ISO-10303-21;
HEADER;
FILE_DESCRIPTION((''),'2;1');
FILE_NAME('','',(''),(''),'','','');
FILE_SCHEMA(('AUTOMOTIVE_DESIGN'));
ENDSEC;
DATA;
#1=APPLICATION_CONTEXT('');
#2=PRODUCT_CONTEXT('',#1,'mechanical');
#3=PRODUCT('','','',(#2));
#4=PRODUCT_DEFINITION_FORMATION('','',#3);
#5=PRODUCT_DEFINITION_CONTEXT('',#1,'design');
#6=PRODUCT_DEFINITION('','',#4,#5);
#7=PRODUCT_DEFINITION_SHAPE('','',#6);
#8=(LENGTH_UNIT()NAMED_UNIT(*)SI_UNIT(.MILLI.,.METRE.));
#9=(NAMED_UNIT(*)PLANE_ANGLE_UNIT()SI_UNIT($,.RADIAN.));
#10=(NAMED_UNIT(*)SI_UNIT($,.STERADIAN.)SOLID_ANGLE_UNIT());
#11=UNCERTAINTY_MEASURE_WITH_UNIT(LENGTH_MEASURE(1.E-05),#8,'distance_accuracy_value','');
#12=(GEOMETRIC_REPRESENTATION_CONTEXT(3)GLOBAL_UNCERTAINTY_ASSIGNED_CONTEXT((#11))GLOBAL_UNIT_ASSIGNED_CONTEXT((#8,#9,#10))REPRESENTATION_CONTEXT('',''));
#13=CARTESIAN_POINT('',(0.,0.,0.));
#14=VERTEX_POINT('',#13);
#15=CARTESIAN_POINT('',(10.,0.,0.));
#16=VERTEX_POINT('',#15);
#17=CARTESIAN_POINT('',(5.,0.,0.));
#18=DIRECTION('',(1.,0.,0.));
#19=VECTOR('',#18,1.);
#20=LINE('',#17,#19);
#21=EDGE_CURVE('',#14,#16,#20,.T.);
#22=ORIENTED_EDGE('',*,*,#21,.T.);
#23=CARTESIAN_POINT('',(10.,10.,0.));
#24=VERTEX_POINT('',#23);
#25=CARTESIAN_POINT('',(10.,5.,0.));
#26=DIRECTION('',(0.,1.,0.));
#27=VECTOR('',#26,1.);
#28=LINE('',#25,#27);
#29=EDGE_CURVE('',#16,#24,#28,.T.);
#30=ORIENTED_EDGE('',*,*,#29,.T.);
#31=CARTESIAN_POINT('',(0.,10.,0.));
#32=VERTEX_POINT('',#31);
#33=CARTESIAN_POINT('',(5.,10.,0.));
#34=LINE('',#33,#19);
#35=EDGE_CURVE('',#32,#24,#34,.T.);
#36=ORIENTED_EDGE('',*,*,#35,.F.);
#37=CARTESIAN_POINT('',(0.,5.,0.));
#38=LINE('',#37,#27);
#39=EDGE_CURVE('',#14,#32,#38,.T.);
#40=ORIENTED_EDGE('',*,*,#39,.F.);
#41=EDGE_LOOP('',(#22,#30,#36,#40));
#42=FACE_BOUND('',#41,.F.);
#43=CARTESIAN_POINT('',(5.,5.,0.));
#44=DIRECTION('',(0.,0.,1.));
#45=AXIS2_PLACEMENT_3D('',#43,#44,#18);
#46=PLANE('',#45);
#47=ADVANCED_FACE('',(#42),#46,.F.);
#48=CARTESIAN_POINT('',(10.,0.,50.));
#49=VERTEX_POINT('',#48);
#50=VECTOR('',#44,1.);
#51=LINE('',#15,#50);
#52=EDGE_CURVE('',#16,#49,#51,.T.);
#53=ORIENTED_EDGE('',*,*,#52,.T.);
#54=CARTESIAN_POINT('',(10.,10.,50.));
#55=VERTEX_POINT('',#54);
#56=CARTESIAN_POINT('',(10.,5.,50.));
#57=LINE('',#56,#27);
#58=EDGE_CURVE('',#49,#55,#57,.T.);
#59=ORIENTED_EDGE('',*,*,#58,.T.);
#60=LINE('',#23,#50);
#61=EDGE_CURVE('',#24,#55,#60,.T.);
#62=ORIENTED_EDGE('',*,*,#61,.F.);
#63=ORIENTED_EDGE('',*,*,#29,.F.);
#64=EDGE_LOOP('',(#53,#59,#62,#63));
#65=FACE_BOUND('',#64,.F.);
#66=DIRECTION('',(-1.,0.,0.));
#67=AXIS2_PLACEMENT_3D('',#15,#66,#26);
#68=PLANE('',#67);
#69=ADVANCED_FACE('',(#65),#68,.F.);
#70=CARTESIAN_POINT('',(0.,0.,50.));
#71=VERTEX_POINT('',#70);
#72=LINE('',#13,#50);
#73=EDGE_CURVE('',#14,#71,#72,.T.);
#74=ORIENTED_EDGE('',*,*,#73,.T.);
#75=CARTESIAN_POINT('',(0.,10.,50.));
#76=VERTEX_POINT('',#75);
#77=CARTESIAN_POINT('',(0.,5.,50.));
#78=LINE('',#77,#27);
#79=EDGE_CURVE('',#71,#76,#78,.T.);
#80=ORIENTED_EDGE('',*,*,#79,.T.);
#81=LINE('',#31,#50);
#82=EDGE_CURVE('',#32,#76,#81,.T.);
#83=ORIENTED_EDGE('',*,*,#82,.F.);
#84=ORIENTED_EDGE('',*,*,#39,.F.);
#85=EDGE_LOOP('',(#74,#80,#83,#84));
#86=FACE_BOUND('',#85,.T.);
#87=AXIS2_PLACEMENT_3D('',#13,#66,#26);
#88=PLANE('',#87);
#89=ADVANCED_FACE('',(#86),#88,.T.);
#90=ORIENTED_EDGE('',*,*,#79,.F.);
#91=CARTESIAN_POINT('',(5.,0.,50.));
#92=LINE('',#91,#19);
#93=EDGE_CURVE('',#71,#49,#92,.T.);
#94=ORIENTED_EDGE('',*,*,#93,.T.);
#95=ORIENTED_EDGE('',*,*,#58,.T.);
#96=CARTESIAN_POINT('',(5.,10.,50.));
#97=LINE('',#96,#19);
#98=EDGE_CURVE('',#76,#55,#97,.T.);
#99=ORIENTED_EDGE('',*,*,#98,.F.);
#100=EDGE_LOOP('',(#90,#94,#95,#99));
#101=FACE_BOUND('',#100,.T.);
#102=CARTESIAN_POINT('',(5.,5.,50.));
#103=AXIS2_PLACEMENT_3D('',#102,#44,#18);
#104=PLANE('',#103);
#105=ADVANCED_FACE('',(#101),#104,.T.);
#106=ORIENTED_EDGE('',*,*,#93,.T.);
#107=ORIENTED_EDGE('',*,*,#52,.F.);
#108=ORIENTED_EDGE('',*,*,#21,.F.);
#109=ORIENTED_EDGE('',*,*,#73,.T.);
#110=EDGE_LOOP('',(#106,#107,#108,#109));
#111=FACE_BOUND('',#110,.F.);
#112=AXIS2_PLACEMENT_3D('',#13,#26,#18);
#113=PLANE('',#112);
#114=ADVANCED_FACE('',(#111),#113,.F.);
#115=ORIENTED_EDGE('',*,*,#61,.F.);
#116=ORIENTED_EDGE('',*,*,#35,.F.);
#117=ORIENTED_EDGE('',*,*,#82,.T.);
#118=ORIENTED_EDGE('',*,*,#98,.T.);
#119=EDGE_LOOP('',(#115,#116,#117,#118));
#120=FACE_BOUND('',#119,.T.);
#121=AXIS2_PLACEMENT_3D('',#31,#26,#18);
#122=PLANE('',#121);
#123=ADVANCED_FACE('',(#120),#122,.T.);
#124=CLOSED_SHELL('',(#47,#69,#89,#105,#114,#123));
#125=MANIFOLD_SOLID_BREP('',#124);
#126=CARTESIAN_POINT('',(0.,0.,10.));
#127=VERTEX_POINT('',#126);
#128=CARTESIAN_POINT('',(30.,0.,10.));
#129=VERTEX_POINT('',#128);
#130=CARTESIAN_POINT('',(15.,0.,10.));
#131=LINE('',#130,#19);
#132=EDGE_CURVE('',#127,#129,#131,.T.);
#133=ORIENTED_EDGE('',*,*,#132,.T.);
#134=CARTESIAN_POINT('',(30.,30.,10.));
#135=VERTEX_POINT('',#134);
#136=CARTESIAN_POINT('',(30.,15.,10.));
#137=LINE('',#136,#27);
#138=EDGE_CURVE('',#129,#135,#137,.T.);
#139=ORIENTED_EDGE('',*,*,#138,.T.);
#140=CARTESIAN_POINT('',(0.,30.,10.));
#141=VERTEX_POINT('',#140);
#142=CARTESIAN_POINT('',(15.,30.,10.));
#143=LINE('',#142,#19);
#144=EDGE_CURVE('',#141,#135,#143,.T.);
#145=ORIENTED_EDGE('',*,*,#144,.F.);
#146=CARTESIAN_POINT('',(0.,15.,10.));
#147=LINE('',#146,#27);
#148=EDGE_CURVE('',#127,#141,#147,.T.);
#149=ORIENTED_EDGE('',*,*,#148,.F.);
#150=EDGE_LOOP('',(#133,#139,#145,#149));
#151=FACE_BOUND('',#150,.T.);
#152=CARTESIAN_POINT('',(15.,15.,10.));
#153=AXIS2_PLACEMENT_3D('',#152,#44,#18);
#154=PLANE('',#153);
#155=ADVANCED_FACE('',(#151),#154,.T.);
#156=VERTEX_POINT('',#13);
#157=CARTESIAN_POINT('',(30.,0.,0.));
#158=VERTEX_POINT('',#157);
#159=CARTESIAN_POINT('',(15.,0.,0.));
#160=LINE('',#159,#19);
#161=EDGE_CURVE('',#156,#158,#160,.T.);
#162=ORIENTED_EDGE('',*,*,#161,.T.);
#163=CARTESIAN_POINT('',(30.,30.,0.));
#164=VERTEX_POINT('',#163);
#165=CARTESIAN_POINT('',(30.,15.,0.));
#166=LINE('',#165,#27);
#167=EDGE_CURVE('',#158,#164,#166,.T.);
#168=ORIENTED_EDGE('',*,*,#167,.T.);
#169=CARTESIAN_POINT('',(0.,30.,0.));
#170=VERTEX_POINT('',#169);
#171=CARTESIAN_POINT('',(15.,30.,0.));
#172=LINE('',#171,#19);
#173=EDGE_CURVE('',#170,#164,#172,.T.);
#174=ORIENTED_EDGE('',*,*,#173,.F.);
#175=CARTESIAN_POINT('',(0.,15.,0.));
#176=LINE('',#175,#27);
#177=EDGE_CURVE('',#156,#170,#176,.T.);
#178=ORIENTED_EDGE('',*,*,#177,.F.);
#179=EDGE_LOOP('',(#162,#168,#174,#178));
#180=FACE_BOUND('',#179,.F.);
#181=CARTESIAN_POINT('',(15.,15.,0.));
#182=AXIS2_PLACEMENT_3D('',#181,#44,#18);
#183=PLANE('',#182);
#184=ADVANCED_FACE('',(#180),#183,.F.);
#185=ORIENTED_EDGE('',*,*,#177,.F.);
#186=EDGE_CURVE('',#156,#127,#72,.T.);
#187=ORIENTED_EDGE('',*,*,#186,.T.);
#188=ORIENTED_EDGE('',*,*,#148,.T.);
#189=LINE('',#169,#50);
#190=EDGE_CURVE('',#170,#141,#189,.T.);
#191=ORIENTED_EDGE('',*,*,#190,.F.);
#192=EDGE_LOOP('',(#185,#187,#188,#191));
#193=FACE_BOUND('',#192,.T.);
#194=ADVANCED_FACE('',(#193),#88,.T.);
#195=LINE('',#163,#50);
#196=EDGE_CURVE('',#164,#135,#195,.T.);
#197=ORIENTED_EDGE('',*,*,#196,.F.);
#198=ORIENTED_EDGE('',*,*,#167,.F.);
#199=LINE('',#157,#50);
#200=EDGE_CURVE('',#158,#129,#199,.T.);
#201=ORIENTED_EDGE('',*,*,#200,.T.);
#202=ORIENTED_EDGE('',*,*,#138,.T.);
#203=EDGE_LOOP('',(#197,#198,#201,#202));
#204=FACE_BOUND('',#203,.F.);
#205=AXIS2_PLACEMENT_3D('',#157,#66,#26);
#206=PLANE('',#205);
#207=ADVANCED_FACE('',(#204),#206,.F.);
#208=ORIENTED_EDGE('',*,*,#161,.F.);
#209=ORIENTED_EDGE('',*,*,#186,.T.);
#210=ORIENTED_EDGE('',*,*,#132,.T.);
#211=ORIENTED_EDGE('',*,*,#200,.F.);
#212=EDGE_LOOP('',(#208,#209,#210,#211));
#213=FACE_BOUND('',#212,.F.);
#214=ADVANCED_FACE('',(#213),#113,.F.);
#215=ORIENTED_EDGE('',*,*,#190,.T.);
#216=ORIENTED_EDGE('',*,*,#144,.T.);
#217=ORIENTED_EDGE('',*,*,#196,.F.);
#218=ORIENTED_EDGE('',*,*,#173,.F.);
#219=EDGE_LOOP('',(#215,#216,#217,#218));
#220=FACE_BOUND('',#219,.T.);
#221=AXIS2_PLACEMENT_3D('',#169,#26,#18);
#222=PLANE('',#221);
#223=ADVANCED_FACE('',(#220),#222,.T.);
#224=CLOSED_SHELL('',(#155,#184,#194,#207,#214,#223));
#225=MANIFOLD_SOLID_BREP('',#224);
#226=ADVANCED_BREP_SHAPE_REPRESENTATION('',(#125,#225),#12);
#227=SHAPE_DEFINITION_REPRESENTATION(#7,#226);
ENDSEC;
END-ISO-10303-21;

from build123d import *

# Parameters (mm, degrees)
BOX_W        = 30
BOX_H        = 30
BOX_DEPTH    = 10
BOX001_W     = 10
BOX001_H     = 10
BOX001_DEPTH = 50


with BuildPart() as cube:
    # Box → Box (new body)
    with BuildSketch(Plane.XY):
        with Locations((15, 15)):
            Rectangle(BOX_W, BOX_H)
    extrude(amount=BOX_DEPTH)


with BuildPart() as cube001:
    # Box001 → Box001 (new body)
    with BuildSketch(Plane.XY):
        with Locations((5, 5)):
            Rectangle(BOX001_W, BOX001_H)
    extrude(amount=BOX001_DEPTH)


solid = Compound([cube.part, cube001.part])
